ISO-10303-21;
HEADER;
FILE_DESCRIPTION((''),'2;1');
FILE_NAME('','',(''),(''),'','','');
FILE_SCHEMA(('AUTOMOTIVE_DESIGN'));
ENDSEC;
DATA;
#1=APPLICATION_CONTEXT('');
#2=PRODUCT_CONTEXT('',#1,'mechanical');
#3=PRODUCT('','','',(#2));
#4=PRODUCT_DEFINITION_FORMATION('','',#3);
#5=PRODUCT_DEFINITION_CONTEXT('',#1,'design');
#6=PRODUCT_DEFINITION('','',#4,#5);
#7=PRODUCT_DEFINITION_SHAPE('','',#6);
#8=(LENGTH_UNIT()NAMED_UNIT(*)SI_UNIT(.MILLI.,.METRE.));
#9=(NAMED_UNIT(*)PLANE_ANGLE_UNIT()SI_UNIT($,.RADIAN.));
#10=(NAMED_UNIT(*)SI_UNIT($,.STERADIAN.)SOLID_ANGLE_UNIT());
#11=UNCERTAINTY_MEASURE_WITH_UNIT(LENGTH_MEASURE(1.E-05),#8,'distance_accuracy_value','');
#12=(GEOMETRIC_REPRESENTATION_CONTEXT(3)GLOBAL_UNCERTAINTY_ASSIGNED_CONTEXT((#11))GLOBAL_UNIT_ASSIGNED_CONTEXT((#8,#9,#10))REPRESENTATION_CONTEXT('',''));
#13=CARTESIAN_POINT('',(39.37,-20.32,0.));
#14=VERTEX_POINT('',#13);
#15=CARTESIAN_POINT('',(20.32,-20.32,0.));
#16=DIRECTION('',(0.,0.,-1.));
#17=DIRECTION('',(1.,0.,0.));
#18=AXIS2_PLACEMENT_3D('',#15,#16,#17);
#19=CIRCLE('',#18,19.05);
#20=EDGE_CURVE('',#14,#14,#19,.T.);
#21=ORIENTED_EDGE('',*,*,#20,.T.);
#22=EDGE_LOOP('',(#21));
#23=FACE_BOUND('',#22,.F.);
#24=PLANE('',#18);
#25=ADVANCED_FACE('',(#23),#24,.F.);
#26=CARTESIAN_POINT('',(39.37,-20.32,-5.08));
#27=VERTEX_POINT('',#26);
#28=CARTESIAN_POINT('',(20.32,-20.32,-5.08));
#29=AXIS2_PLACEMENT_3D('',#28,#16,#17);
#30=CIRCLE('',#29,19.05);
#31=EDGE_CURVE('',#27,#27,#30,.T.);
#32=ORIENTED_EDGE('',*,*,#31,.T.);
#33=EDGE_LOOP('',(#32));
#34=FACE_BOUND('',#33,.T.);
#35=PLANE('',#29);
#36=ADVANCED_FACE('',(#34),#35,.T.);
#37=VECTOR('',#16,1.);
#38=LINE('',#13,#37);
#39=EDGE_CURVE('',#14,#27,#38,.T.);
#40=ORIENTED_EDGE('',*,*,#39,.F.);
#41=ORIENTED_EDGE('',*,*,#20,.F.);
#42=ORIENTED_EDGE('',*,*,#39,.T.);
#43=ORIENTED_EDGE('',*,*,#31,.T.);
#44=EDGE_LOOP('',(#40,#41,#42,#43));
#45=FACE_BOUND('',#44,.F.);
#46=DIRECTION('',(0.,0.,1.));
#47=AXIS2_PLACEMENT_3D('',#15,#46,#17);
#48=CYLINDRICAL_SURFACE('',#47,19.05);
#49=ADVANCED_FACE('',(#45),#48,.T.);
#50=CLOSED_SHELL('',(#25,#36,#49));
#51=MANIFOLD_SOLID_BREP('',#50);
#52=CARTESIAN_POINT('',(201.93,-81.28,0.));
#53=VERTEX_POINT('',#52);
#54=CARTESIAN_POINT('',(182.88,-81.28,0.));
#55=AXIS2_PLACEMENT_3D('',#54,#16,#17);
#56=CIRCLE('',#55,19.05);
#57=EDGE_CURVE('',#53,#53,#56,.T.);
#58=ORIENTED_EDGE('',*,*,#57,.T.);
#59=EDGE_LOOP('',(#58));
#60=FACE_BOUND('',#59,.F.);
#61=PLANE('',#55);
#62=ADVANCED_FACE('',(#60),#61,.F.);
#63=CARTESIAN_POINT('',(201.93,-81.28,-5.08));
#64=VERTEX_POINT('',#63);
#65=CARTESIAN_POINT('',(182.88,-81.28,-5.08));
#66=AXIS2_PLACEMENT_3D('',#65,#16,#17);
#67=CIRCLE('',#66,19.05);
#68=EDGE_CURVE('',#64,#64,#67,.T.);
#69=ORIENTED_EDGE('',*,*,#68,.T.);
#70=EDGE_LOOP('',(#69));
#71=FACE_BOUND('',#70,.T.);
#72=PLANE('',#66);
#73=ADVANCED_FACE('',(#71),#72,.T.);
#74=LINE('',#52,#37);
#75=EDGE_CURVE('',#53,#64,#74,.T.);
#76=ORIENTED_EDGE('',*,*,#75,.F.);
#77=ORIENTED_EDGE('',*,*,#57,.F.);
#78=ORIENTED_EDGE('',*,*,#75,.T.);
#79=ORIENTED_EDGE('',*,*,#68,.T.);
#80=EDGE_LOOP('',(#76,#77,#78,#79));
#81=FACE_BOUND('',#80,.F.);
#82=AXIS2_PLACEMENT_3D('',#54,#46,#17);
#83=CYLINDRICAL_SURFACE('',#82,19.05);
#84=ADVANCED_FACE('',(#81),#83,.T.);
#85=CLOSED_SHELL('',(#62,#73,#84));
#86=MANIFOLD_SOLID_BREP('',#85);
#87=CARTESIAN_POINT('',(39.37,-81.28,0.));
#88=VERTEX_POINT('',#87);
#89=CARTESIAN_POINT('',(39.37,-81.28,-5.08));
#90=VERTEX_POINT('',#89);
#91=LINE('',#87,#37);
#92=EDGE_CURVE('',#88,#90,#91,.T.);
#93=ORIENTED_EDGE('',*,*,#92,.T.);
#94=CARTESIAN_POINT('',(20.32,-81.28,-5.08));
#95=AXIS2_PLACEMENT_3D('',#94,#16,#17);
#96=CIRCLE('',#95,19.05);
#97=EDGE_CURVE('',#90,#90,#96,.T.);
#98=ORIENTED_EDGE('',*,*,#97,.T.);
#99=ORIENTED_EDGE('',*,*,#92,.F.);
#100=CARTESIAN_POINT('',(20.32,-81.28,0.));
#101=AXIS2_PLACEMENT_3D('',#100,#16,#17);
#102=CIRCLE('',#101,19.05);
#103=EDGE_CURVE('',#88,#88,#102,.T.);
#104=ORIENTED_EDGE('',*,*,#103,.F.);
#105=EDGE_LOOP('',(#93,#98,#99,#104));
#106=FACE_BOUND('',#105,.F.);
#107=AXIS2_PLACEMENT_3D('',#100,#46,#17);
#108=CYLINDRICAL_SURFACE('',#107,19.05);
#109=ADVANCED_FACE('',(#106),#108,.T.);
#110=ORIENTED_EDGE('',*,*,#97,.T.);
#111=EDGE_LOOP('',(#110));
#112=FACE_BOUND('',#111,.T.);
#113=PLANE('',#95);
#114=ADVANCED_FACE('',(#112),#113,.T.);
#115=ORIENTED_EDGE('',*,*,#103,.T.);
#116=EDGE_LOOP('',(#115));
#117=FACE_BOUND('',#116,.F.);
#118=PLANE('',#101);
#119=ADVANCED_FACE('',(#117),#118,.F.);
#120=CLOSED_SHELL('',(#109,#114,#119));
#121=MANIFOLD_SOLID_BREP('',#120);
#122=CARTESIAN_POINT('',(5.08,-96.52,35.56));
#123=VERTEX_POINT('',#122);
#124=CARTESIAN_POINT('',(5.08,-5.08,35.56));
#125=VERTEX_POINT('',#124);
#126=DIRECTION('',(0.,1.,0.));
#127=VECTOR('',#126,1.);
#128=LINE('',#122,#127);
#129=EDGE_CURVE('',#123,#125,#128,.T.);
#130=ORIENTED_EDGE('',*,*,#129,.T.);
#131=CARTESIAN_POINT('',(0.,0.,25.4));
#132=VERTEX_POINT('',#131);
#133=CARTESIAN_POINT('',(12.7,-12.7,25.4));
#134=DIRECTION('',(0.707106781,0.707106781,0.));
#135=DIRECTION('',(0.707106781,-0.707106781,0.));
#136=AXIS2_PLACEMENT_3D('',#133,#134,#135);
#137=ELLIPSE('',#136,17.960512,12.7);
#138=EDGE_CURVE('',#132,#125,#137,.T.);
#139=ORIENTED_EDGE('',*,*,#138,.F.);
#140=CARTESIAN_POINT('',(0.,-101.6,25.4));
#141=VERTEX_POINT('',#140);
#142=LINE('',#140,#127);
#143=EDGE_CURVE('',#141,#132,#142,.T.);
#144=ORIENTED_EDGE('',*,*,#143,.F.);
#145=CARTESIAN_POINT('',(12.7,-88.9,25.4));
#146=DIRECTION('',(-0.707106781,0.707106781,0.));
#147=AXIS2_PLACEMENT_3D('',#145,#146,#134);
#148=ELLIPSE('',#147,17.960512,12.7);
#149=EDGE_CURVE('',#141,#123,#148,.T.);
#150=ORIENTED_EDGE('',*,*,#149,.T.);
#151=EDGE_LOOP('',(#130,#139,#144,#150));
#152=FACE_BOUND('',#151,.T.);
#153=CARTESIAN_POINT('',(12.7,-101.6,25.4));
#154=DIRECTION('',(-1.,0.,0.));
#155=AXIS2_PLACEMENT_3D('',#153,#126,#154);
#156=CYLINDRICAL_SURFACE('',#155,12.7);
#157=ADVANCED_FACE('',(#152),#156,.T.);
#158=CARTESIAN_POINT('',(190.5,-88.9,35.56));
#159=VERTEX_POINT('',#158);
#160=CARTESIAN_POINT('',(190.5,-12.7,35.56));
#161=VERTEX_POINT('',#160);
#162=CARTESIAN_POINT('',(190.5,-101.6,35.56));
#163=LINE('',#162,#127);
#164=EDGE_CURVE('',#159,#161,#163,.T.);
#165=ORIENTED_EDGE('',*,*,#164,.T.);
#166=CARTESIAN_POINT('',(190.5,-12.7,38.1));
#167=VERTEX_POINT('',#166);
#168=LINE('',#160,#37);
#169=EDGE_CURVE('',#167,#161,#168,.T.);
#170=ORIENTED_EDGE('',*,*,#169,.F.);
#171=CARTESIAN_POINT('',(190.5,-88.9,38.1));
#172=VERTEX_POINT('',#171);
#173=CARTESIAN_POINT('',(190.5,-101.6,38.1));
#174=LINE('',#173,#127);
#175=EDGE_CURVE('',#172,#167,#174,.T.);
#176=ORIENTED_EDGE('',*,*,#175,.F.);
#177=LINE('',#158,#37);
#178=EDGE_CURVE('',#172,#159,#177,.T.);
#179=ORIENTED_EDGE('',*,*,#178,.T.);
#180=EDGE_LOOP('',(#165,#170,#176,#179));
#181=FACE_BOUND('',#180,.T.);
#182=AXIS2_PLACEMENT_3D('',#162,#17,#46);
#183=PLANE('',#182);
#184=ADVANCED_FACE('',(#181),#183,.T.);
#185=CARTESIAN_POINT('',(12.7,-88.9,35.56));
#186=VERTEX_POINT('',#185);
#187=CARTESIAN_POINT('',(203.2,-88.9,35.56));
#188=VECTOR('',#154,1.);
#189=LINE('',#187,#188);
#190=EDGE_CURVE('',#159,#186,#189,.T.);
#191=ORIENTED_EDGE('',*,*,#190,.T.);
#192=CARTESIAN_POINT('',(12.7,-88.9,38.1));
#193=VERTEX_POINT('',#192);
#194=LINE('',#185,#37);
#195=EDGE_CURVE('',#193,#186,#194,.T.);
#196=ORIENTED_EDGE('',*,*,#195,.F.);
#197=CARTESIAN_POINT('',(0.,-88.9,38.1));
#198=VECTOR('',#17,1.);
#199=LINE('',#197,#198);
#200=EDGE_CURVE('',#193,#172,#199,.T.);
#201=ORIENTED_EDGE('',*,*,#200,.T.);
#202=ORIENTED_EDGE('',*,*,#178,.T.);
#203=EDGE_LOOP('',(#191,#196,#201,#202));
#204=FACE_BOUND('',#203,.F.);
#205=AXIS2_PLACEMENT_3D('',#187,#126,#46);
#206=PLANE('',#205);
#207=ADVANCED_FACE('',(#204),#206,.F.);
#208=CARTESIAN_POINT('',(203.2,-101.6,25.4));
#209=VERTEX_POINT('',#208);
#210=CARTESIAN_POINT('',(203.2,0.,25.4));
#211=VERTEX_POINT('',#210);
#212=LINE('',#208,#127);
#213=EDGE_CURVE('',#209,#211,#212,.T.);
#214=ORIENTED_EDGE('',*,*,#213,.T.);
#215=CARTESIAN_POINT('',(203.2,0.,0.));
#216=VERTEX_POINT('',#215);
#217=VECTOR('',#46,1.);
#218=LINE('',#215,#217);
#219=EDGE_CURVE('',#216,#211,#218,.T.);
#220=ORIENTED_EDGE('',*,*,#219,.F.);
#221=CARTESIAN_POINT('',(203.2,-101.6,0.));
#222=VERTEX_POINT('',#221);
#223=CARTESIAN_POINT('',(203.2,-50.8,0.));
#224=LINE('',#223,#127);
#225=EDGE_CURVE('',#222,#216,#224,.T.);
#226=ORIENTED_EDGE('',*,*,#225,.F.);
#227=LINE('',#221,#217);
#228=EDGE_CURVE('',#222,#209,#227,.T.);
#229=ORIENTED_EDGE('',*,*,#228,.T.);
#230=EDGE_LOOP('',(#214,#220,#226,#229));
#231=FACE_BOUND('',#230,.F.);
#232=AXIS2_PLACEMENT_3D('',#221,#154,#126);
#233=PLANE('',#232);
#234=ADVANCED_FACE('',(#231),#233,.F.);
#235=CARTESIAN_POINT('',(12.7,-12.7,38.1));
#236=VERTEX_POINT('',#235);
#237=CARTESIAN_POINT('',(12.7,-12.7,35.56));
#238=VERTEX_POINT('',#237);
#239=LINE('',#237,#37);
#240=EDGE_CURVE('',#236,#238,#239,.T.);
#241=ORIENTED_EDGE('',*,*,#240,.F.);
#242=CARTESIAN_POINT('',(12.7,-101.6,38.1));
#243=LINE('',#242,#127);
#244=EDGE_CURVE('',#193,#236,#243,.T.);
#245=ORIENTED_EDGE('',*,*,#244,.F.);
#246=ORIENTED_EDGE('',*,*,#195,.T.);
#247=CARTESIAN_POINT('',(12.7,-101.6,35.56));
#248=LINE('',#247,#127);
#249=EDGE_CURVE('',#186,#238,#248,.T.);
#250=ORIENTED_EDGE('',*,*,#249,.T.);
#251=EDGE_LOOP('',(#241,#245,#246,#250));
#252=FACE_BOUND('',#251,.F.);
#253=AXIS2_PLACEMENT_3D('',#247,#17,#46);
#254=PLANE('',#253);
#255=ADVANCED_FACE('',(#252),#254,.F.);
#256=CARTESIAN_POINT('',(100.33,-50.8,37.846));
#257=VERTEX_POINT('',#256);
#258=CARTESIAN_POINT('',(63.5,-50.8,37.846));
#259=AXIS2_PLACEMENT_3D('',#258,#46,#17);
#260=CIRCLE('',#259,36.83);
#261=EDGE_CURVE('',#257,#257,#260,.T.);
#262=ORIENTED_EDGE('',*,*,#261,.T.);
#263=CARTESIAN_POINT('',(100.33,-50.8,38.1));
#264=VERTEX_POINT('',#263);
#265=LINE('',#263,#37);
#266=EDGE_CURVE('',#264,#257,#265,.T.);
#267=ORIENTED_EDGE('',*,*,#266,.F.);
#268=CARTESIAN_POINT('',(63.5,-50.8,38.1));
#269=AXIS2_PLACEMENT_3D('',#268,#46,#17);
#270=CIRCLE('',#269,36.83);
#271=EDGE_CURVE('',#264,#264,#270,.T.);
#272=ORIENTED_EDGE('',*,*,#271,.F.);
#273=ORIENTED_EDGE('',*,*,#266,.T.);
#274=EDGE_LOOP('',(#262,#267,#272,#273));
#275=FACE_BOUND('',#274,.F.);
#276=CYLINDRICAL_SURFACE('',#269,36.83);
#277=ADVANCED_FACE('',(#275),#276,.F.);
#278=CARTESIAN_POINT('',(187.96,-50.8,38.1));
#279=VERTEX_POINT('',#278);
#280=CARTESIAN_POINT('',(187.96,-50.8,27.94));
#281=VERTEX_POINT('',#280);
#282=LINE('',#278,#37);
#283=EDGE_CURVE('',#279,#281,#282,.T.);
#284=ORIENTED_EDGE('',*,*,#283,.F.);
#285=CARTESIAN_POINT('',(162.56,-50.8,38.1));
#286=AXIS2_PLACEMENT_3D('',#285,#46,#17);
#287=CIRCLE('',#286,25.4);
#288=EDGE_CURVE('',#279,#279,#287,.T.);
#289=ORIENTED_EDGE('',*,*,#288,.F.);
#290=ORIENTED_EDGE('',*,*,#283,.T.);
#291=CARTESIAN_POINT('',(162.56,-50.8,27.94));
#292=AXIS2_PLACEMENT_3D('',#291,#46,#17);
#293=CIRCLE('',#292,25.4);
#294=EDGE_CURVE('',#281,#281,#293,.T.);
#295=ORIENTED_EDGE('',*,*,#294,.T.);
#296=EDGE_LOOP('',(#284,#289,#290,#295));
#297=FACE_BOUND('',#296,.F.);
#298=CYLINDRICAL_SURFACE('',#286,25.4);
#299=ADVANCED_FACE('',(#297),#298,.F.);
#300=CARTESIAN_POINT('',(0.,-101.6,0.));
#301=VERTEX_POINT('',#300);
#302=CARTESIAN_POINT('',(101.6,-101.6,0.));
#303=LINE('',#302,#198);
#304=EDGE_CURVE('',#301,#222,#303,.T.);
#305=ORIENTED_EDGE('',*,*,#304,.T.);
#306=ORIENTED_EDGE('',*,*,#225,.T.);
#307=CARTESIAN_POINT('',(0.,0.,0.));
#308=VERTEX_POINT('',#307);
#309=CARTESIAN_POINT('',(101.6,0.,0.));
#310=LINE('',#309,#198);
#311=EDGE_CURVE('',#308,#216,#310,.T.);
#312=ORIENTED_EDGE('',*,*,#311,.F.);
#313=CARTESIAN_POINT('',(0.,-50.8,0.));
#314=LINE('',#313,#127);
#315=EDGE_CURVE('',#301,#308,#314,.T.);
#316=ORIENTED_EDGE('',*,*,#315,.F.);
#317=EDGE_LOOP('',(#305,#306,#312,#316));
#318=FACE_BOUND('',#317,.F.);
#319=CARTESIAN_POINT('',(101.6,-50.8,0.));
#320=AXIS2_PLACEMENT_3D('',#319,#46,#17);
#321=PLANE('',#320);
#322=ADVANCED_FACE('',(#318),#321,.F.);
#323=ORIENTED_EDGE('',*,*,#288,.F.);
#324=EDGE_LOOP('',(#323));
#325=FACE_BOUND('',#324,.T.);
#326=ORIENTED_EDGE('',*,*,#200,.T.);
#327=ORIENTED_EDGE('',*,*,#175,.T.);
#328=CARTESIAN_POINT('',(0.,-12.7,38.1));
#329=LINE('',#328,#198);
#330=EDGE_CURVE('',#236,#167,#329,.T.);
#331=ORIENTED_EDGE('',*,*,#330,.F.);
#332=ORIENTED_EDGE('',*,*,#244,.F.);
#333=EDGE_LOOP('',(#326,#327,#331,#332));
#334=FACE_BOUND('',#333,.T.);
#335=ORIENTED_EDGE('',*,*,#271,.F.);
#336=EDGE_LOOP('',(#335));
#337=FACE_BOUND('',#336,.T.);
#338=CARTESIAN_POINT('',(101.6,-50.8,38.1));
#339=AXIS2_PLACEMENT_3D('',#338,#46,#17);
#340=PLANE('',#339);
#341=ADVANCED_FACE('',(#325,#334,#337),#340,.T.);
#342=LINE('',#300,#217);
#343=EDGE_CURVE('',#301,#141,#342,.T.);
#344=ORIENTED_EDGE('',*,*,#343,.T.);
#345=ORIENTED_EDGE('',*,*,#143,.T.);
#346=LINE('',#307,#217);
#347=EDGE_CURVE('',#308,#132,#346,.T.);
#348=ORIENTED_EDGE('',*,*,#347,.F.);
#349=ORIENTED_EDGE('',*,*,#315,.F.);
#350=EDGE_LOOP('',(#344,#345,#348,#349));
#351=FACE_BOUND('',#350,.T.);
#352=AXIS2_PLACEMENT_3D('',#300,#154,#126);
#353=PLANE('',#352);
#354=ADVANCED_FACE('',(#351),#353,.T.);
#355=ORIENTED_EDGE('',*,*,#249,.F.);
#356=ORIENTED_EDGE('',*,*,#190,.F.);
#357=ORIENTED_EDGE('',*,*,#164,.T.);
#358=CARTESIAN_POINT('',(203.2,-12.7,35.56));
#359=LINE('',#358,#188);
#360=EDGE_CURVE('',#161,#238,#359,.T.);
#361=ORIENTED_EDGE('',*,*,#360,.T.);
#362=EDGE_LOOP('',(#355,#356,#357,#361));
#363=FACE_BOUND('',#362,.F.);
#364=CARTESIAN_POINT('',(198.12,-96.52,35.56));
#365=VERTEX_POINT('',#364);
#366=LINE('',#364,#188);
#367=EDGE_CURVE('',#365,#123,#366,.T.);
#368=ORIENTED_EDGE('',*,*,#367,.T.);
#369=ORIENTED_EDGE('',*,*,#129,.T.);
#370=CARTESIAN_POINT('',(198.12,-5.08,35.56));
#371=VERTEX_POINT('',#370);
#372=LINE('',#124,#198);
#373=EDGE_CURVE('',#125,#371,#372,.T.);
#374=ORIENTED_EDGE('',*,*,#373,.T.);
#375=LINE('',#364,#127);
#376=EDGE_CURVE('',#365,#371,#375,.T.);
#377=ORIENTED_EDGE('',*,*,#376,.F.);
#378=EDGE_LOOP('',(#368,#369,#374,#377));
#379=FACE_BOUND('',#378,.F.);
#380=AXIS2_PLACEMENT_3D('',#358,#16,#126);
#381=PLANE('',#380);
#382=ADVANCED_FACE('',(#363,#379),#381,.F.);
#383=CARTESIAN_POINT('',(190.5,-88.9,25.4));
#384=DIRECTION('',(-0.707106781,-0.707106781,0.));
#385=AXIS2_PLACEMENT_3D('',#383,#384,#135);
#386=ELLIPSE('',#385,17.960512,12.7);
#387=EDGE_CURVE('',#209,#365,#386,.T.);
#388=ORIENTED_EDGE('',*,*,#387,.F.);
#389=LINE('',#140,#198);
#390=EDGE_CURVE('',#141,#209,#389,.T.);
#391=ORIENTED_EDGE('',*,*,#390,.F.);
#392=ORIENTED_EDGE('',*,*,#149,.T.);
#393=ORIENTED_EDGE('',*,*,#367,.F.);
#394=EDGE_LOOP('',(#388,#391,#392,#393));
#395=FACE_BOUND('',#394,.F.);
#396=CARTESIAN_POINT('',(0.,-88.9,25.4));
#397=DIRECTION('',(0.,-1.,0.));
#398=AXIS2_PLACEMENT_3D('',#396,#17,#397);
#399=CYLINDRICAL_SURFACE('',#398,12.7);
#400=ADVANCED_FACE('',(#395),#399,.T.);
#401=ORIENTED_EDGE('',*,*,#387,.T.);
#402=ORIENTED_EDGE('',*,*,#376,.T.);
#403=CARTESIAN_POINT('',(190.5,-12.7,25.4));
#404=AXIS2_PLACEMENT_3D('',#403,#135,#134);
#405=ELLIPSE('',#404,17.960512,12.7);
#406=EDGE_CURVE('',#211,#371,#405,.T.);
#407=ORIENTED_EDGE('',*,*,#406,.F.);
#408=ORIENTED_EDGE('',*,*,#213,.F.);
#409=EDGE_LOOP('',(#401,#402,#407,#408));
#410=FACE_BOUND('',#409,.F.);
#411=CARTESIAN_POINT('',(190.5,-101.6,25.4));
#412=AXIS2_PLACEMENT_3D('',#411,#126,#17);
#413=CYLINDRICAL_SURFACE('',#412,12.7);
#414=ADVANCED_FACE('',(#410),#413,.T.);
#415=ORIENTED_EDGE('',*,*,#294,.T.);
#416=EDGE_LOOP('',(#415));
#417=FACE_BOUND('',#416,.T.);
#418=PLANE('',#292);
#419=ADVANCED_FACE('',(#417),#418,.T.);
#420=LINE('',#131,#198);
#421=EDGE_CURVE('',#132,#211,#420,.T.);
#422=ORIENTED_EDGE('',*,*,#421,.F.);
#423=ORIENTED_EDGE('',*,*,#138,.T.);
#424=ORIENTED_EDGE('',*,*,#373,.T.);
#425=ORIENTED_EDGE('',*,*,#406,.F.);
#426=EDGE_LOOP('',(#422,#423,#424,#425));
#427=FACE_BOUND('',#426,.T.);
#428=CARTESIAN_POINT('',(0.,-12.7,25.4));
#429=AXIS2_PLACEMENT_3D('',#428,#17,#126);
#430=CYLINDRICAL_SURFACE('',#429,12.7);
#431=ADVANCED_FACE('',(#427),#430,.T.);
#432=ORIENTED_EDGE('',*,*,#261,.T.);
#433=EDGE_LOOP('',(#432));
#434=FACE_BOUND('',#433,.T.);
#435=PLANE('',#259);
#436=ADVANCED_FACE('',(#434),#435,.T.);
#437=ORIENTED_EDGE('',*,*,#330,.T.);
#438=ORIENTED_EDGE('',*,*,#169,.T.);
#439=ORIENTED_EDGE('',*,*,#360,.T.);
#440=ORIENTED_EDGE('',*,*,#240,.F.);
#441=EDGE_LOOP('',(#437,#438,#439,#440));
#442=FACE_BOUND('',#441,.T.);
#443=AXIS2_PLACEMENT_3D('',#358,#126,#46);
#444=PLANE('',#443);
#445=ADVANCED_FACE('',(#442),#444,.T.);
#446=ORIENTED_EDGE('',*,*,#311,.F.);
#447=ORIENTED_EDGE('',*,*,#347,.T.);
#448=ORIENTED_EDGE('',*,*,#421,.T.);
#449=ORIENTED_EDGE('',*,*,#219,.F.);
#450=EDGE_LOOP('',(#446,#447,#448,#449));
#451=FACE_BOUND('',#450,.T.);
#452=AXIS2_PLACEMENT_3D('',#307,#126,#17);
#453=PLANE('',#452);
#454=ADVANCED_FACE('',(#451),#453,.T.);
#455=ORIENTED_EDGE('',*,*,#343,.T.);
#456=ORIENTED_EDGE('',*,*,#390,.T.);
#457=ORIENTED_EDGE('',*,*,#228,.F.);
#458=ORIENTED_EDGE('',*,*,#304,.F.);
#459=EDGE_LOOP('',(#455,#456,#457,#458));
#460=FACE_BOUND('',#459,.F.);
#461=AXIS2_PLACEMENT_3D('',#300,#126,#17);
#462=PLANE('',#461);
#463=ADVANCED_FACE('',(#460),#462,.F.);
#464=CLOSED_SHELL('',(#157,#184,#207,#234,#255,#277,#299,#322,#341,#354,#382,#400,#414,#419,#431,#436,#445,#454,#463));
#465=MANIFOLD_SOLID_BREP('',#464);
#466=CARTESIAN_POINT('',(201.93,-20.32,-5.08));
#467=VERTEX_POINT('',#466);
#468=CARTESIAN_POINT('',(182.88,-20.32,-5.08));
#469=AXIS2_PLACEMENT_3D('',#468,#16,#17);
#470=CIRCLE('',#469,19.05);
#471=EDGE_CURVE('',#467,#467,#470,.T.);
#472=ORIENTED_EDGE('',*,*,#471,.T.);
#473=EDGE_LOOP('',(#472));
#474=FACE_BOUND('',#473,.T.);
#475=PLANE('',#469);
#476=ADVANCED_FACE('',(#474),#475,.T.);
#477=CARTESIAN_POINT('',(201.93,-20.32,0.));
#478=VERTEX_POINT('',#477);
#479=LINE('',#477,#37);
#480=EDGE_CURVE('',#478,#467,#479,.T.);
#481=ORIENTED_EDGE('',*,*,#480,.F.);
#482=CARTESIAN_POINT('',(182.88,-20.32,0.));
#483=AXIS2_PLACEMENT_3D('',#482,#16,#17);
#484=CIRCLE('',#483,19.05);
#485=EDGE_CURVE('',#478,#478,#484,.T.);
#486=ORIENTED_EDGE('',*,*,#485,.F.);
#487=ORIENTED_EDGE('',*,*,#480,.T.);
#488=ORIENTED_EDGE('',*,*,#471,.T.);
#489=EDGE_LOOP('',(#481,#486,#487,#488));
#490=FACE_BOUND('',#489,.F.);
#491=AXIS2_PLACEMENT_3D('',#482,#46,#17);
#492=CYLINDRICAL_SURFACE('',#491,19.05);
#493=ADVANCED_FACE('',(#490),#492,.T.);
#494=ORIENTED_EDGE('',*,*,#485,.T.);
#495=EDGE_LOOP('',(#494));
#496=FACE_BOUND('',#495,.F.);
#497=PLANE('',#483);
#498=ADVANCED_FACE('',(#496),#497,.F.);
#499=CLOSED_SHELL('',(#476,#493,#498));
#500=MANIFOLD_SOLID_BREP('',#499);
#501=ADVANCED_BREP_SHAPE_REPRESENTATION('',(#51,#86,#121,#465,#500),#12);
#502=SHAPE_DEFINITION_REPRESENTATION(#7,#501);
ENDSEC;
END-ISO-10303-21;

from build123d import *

# Parameters (mm, degrees)
F0_W      = 203.2
F0_H      = 101.6
F1_DEPTH  = 38.1
F2_R      = 19.05
F3_DEPTH  = 5.08
F4_R      = 12.7
F5_W      = 12.7
F5_H      = 2.54
F6_DEPTH  = 203.201
F7_W      = 12.7
F7_H      = 2.54
F8_DEPTH  = 101.601
F9_R      = 25.4
F10_DEPTH = 10.16
F11_R     = 36.83
F12_DEPTH = 0.254


with BuildPart() as f1:
    # F0 (on Top) → F1 (new body)
    with BuildSketch(Plane.XY):
        with Locations((101.6, -50.8)):
            Rectangle(F0_W, F0_H)
    extrude(amount=F1_DEPTH)

    # F4
    f4_edges = [f1.edges().sort_by_distance(p)[0] for p in [
        (101.6, 0, 38.1),
        (0, -50.8, 38.1),
        (101.6, -101.6, 38.1),
        (203.2, -50.8, 38.1),
    ]]
    fillet(f4_edges, radius=F4_R)

    # F5 (on face) → F6 (cut, through all)
    with BuildSketch(Plane.YZ.offset(203.2)):
        with Locations((-6.35, 36.83)):
            Rectangle(F5_W, F5_H)
        with Locations((-95.25, 36.83)):
            Rectangle(F5_W, F5_H)
    extrude(amount=-F6_DEPTH, mode=Mode.SUBTRACT)

    # F7 (on face) → F8 (cut, through all)
    with BuildSketch(Plane.XZ.offset(101.6)):
        with Locations((196.85, 36.83)):
            Rectangle(F7_W, F7_H)
        with Locations((6.35, 36.83)):
            Rectangle(F7_W, F7_H)
    extrude(amount=-F8_DEPTH, mode=Mode.SUBTRACT)

    # F9 (on face) → F10 (cut)
    with BuildSketch(Plane.XY.offset(38.1)):
        with Locations((162.56, -50.8)):
            Circle(F9_R)
    extrude(amount=-F10_DEPTH, mode=Mode.SUBTRACT)

    # F11 (on face) → F12 (cut)
    with BuildSketch(Plane.XY.offset(38.1)):
        with Locations((63.5, -50.8)):
            Circle(F11_R)
    extrude(amount=-F12_DEPTH, mode=Mode.SUBTRACT)


with BuildPart() as f3:
    # F2 (on face) → F3 (new body)
    with BuildSketch(Plane(origin=(0, 0, 0), x_dir=(1, 0, 0), z_dir=(0, 0, -1))):
        with Locations((20.32, 81.28)):
            Circle(F2_R)
        with Locations((20.32, 20.32)):
            Circle(F2_R)
        with Locations((182.88, 81.28)):
            Circle(F2_R)
        with Locations((182.88, 20.32)):
            Circle(F2_R)
    extrude(amount=F3_DEPTH)


solid = Compound([f1.part, f3.part])
